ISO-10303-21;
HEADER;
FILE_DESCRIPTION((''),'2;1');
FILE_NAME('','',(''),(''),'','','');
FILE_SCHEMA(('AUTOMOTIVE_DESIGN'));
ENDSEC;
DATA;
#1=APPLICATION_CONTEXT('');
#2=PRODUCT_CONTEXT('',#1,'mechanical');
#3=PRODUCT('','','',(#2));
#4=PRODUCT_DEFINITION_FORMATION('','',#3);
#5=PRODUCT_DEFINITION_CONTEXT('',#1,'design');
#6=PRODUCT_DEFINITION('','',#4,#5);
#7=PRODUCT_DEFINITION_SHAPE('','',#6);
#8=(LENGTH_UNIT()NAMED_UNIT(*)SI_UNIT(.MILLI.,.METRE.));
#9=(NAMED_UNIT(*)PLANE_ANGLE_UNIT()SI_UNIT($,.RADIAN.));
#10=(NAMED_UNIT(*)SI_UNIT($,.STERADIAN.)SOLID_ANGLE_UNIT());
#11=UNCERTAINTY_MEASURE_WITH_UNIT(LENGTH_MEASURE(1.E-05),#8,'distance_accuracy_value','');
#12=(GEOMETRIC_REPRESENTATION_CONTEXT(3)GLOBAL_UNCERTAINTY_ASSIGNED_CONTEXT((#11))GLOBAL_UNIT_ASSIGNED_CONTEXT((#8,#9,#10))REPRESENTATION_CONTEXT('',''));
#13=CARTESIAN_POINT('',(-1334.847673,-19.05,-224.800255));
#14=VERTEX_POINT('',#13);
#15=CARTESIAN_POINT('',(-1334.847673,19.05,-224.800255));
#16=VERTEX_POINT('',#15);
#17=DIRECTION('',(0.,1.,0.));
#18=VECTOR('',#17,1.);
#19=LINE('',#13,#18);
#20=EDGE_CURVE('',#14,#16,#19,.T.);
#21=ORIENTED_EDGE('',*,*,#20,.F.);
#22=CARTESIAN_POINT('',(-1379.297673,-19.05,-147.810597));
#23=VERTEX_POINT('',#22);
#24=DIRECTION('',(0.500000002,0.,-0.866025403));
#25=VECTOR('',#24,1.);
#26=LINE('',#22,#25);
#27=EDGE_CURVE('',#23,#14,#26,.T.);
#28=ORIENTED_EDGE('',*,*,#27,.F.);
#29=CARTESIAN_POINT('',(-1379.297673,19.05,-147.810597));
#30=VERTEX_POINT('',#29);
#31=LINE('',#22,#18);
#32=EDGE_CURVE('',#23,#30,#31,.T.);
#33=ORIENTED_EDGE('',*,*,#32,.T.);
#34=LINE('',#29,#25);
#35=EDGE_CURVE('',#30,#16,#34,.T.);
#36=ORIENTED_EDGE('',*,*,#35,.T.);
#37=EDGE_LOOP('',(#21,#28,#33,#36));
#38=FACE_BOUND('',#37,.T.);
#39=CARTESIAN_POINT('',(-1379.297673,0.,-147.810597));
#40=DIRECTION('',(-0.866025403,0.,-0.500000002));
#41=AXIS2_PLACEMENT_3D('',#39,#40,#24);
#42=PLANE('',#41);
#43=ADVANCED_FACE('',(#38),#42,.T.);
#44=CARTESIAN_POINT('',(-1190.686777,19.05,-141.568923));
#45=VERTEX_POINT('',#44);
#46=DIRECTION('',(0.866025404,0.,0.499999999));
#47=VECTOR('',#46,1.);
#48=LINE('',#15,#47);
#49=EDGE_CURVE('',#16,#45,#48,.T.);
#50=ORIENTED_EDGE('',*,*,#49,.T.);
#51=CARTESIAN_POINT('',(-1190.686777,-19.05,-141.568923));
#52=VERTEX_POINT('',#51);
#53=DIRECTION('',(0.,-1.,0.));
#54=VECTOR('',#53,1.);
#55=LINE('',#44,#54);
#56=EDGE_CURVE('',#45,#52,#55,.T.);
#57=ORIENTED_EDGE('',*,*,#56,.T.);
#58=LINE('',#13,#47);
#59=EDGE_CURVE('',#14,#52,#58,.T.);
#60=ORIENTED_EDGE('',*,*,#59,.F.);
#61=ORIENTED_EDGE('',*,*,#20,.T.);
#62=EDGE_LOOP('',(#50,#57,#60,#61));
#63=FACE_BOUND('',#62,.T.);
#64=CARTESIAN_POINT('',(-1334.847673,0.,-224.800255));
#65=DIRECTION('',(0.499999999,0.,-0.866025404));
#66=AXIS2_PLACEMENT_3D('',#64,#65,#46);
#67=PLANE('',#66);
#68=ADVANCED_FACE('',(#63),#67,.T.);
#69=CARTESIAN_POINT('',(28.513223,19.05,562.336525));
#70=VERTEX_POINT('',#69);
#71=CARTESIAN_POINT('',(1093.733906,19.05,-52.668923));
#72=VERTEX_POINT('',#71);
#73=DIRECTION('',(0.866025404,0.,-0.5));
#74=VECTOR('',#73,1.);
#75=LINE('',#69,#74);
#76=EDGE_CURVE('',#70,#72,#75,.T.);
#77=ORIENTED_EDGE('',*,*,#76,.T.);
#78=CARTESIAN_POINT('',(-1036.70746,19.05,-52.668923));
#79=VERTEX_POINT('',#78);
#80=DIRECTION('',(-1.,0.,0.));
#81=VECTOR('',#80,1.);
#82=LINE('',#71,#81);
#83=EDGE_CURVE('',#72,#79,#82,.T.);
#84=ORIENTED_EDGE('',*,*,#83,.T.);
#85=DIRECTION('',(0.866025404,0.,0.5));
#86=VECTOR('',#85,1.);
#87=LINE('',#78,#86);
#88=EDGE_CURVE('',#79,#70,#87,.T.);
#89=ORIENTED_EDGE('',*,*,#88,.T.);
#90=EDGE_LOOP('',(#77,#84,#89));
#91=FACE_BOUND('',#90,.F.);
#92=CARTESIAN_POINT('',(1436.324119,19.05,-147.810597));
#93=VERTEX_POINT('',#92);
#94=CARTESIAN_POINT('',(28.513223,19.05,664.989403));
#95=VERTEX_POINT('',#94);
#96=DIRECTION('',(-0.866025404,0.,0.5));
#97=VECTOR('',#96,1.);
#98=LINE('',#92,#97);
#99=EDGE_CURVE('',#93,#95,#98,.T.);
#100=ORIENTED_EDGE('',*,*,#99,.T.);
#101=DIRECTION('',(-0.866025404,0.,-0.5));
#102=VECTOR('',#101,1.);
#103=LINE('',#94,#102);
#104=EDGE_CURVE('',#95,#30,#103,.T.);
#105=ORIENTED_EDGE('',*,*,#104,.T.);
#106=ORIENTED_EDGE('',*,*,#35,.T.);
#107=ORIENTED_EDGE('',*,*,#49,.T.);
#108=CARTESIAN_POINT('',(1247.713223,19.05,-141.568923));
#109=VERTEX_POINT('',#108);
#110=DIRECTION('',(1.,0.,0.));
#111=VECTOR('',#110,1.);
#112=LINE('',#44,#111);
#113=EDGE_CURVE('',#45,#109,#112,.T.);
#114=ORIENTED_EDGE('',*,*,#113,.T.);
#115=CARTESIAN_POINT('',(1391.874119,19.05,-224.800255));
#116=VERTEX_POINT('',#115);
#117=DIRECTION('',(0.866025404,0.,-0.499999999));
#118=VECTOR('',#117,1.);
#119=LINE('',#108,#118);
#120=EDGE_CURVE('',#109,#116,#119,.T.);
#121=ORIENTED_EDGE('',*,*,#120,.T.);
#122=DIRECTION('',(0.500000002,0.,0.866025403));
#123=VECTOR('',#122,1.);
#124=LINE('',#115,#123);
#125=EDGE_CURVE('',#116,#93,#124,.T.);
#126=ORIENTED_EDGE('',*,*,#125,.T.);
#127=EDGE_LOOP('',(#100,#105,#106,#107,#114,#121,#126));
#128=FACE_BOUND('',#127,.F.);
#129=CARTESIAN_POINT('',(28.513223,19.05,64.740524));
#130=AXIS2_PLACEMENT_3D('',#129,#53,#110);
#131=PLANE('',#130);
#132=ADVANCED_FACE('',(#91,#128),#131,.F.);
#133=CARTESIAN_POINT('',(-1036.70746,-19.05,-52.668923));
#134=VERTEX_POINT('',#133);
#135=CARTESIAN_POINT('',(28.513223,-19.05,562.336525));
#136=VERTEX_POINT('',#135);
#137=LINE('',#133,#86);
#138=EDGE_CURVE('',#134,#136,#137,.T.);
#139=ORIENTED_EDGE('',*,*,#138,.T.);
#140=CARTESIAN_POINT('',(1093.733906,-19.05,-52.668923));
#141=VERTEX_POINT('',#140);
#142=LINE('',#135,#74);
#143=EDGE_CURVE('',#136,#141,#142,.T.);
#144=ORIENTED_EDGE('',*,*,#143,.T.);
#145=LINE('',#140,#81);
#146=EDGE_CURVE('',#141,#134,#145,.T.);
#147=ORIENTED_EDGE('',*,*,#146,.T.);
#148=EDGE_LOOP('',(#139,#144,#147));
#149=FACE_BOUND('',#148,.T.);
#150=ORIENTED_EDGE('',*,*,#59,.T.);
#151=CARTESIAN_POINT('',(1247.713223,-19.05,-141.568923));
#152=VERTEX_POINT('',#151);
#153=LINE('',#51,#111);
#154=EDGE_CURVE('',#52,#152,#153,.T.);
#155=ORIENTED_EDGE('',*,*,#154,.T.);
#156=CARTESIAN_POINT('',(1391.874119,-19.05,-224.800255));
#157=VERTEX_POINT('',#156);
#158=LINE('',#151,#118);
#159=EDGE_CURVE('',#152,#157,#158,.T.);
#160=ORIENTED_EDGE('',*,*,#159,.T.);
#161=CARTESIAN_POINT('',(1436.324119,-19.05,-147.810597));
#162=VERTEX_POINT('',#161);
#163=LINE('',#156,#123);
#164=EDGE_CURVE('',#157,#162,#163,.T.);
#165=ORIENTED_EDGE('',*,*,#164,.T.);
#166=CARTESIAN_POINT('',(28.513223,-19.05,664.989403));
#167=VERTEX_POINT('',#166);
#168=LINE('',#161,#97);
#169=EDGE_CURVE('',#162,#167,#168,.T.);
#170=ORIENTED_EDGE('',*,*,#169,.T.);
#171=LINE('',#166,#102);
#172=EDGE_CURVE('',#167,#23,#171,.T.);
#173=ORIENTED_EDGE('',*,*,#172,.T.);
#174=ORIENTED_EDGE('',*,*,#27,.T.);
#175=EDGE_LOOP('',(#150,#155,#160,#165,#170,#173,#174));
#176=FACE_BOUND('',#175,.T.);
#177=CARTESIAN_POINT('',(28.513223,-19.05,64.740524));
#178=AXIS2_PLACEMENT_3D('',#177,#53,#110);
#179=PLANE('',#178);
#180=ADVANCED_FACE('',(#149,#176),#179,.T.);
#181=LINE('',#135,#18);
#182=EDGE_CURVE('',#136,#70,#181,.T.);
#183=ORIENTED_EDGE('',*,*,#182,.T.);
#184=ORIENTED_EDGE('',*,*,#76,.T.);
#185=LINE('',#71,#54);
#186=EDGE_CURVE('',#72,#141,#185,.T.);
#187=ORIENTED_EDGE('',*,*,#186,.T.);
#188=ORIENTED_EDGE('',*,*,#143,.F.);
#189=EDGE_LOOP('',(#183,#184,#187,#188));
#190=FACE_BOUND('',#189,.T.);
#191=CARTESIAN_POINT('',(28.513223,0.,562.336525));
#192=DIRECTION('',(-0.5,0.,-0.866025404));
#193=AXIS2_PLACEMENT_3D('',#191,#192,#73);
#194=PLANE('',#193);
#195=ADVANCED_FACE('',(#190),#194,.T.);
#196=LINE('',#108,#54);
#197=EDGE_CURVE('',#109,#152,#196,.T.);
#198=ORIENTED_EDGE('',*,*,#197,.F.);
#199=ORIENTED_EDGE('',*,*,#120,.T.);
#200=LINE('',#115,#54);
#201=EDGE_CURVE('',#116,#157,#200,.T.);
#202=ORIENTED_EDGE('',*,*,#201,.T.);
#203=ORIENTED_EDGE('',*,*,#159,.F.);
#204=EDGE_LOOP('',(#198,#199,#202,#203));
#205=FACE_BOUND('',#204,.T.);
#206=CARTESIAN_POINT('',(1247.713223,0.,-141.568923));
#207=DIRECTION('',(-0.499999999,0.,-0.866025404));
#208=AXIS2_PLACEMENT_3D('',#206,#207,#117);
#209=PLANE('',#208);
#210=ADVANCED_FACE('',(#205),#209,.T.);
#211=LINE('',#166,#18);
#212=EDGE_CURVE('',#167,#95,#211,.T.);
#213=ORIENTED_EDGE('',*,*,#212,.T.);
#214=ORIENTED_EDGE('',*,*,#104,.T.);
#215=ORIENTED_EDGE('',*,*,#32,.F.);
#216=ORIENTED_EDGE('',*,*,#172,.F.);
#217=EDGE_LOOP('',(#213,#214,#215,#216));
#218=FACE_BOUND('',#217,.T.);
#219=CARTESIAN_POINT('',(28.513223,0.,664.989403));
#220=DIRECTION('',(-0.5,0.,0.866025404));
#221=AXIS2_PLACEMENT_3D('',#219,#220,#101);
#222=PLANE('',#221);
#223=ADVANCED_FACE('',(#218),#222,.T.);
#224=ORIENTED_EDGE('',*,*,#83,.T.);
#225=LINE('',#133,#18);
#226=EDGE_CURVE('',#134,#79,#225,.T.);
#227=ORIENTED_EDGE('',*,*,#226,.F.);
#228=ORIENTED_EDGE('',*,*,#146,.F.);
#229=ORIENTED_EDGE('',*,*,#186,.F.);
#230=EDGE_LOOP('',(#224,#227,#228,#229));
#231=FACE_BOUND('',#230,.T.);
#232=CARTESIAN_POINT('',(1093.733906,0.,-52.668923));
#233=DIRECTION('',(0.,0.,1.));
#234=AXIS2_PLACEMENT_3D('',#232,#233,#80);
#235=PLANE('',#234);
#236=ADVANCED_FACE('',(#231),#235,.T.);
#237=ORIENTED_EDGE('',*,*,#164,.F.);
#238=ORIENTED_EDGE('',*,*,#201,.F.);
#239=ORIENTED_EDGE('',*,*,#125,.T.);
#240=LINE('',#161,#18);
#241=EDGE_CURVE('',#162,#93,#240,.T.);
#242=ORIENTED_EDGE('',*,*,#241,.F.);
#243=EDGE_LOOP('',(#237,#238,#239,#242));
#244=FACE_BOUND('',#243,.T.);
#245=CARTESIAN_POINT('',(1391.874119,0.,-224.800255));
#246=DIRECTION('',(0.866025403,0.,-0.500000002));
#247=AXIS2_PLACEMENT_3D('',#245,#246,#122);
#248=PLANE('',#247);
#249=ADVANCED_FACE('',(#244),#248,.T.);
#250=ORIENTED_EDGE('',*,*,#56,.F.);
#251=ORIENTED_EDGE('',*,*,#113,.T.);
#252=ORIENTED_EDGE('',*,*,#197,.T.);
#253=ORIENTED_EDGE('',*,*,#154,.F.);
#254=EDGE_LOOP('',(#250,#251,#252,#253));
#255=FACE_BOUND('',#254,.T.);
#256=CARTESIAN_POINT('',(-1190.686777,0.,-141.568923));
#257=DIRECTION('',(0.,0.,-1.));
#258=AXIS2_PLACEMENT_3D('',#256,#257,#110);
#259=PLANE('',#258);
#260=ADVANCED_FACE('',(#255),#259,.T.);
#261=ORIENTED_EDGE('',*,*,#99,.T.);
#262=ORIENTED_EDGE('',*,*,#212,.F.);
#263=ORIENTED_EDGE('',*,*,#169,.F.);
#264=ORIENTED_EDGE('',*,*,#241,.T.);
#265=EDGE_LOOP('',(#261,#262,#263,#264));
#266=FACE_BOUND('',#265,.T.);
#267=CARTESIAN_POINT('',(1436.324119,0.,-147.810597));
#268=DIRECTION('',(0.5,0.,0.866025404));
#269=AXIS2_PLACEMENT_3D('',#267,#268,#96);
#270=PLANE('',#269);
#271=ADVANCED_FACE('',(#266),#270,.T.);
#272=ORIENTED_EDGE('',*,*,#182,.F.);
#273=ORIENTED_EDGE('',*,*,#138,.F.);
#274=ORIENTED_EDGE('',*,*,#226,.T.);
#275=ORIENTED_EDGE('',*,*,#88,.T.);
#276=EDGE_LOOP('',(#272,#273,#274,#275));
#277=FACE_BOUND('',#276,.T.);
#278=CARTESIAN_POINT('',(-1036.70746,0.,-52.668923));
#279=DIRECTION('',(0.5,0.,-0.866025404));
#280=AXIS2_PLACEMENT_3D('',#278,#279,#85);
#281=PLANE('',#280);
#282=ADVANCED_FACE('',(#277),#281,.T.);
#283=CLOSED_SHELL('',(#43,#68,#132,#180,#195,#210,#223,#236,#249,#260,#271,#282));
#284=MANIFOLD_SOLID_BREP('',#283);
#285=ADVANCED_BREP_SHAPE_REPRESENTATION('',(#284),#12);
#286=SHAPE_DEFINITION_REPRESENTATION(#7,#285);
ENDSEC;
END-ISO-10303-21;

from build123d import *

# Parameters (mm, degrees)
F1_DEPTH = 19.05


with BuildPart() as f1:
    # F0 (on Front) → F1 (new body, symmetric)
    with BuildSketch(Plane.XZ):
        Polygon((-1334.847673, -224.800255), (-1190.686777, -141.568923), (1247.713223, -141.568923), (1391.874119, -224.800255), (1436.324119, -147.810597), (28.513223, 664.989403), (-1379.297673, -147.810597), align=None)
        Polygon((1093.733906, -52.668923), (-1036.70746, -52.668923), (28.513223, 562.336525), align=None, mode=Mode.SUBTRACT)
    extrude(amount=F1_DEPTH, both=True)


solid = f1.part
